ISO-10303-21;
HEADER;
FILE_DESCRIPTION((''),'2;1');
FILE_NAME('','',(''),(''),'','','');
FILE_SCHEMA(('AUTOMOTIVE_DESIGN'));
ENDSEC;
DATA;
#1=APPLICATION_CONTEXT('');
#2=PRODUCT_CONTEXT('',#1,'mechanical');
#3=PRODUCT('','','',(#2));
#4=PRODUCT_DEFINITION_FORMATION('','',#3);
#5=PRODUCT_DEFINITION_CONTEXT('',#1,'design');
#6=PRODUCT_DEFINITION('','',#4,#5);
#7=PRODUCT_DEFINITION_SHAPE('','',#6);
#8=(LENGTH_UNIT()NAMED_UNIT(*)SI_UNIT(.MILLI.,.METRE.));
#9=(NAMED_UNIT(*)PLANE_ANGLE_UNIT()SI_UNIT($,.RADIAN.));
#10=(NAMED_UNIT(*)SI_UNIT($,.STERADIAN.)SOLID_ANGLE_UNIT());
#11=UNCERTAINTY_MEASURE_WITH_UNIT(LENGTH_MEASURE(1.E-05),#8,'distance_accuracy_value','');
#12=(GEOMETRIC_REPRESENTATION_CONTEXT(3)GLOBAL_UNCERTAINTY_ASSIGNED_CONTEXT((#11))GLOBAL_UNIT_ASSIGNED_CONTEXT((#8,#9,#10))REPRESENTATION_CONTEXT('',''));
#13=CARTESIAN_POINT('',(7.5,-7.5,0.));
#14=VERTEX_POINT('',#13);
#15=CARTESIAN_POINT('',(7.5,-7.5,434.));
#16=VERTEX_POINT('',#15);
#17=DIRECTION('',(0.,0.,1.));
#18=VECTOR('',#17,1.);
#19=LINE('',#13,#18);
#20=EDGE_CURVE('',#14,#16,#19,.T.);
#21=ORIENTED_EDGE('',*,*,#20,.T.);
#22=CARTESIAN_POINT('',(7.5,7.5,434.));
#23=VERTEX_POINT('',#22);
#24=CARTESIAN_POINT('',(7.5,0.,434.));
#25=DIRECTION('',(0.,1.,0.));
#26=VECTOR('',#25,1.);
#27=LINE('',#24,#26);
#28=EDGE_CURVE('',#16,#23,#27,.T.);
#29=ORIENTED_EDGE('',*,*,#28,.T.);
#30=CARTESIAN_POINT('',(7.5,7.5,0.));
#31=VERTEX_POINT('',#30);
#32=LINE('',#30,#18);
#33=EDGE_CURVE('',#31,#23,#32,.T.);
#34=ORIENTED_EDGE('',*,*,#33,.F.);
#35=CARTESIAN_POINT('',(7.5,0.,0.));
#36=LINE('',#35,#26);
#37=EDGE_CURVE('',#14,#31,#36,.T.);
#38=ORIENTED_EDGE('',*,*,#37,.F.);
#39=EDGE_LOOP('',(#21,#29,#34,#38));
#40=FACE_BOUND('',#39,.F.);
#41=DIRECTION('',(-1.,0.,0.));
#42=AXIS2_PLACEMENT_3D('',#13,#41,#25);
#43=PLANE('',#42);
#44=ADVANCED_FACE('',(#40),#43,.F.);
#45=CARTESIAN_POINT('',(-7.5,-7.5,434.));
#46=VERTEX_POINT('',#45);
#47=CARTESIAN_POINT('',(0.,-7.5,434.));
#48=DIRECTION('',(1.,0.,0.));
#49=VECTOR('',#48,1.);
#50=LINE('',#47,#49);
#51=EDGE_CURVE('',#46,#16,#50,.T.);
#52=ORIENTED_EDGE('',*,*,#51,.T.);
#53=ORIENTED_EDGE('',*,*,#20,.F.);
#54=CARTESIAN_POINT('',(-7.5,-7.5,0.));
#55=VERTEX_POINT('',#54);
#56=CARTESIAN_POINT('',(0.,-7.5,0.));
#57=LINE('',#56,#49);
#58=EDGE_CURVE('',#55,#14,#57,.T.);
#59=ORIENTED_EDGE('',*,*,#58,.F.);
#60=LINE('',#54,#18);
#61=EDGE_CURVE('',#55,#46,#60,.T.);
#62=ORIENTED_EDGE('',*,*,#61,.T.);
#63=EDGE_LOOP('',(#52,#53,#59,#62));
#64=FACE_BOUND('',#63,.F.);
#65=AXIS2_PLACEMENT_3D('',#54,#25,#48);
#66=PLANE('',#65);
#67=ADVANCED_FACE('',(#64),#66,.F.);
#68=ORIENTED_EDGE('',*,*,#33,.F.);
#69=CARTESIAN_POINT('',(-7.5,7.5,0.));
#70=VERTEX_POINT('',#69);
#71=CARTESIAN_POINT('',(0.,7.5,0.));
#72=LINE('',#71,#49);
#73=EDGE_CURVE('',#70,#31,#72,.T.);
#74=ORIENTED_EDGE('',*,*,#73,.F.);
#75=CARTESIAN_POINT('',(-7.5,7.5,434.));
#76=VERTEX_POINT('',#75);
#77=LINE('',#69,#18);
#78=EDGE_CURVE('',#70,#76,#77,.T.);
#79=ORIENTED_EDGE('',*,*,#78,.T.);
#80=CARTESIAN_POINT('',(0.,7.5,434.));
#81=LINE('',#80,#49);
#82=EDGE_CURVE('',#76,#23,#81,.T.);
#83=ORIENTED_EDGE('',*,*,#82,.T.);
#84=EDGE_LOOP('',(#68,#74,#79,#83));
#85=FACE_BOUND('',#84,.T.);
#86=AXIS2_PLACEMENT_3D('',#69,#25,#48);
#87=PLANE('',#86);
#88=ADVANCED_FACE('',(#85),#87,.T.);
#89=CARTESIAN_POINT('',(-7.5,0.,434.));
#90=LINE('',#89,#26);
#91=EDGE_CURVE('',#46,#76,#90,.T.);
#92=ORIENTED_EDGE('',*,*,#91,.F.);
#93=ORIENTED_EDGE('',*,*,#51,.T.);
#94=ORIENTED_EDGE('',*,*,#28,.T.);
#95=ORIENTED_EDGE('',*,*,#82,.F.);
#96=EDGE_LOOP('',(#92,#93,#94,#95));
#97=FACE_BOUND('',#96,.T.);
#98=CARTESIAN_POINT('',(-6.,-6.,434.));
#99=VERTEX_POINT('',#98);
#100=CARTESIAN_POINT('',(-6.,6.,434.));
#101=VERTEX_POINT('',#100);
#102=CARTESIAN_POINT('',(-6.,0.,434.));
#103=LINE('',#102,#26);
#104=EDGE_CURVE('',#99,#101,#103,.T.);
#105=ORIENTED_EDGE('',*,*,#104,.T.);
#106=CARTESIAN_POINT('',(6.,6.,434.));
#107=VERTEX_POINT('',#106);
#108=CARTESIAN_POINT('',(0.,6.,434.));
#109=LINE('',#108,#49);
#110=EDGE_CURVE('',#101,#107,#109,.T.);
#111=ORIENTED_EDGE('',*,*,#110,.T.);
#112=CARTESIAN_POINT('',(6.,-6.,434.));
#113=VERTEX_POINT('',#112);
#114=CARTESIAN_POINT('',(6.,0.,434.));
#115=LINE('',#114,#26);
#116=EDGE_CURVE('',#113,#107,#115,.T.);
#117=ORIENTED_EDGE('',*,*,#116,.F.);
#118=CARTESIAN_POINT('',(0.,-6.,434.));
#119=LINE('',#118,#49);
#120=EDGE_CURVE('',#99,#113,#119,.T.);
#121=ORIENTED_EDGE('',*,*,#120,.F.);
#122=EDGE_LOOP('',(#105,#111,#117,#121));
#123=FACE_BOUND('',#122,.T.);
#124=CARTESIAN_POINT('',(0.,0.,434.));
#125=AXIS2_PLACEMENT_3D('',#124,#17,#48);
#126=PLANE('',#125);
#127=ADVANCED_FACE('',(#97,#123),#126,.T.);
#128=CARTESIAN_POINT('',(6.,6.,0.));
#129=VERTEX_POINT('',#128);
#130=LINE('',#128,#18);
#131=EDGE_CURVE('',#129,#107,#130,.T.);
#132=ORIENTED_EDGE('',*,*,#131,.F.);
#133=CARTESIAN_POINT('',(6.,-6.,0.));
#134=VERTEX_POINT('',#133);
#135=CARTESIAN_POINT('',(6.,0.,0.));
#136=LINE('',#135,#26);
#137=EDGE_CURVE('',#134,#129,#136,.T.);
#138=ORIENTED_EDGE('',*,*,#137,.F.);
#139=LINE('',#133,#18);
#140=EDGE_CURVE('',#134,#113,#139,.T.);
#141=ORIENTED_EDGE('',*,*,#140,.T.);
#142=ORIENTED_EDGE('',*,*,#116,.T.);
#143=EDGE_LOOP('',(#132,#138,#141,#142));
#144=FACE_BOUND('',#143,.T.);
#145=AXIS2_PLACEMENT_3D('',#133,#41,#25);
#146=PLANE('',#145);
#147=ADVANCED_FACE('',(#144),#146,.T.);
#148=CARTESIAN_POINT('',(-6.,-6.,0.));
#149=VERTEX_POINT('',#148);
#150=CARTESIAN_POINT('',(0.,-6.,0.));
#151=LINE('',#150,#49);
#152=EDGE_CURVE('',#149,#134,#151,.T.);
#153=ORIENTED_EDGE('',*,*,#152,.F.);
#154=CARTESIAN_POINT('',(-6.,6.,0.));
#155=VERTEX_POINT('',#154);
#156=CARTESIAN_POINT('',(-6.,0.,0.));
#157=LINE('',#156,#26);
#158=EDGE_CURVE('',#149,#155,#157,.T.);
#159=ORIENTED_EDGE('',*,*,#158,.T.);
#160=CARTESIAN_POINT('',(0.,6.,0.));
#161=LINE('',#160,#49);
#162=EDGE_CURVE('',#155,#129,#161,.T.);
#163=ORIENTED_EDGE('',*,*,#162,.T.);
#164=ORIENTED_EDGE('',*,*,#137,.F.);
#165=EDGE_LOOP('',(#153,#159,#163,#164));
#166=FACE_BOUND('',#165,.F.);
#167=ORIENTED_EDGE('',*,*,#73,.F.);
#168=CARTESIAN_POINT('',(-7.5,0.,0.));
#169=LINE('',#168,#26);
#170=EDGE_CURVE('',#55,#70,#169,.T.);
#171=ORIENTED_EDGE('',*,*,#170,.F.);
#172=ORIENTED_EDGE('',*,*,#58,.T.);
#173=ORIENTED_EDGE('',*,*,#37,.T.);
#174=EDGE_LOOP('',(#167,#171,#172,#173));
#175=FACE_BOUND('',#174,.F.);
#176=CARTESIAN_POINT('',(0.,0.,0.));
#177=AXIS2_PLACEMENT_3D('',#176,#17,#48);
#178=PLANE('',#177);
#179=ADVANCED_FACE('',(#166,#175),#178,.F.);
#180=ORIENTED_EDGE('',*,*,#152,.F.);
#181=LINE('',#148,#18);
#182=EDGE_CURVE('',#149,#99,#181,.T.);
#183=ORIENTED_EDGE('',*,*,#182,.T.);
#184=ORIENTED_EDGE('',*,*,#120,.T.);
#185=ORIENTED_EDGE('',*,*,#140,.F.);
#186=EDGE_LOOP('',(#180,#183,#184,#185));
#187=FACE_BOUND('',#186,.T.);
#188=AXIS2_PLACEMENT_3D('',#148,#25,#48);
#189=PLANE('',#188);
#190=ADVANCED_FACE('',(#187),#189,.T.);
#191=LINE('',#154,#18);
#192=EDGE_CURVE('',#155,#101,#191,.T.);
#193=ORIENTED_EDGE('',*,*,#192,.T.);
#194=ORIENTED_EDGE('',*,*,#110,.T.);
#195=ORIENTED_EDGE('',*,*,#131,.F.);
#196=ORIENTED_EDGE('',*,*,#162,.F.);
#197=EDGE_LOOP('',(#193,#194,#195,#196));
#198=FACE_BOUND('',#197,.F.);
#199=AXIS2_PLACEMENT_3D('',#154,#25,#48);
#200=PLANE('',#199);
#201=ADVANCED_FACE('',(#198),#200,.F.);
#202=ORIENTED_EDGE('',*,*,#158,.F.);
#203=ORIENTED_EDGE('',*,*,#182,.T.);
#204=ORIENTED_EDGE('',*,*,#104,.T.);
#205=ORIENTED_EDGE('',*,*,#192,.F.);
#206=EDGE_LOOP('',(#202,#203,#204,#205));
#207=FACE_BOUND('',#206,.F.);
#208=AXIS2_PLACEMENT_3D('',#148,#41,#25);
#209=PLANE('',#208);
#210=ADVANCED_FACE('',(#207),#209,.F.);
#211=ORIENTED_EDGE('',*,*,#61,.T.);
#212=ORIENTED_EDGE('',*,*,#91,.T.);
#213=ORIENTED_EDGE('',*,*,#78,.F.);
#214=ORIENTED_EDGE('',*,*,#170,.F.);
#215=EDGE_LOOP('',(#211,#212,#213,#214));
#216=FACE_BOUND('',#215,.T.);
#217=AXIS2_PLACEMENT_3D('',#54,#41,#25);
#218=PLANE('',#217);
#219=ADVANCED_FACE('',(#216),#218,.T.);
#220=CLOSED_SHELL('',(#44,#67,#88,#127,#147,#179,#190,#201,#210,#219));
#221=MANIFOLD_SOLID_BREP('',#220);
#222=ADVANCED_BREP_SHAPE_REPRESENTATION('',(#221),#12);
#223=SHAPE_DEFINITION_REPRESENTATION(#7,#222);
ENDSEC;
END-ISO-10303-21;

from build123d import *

# Parameters (mm, degrees)
SKETCH_W   = 15
SKETCH_H   = 15
SKETCH_W_2 = 12
SKETCH_H_2 = 12
PAD_DEPTH  = 434


with BuildPart() as part:
    # Sketch → Pad (new body)
    with BuildSketch(Plane.XY):
        Rectangle(SKETCH_W, SKETCH_H)
        Rectangle(SKETCH_W_2, SKETCH_H_2, mode=Mode.SUBTRACT)
    extrude(amount=PAD_DEPTH)


solid = part.part
